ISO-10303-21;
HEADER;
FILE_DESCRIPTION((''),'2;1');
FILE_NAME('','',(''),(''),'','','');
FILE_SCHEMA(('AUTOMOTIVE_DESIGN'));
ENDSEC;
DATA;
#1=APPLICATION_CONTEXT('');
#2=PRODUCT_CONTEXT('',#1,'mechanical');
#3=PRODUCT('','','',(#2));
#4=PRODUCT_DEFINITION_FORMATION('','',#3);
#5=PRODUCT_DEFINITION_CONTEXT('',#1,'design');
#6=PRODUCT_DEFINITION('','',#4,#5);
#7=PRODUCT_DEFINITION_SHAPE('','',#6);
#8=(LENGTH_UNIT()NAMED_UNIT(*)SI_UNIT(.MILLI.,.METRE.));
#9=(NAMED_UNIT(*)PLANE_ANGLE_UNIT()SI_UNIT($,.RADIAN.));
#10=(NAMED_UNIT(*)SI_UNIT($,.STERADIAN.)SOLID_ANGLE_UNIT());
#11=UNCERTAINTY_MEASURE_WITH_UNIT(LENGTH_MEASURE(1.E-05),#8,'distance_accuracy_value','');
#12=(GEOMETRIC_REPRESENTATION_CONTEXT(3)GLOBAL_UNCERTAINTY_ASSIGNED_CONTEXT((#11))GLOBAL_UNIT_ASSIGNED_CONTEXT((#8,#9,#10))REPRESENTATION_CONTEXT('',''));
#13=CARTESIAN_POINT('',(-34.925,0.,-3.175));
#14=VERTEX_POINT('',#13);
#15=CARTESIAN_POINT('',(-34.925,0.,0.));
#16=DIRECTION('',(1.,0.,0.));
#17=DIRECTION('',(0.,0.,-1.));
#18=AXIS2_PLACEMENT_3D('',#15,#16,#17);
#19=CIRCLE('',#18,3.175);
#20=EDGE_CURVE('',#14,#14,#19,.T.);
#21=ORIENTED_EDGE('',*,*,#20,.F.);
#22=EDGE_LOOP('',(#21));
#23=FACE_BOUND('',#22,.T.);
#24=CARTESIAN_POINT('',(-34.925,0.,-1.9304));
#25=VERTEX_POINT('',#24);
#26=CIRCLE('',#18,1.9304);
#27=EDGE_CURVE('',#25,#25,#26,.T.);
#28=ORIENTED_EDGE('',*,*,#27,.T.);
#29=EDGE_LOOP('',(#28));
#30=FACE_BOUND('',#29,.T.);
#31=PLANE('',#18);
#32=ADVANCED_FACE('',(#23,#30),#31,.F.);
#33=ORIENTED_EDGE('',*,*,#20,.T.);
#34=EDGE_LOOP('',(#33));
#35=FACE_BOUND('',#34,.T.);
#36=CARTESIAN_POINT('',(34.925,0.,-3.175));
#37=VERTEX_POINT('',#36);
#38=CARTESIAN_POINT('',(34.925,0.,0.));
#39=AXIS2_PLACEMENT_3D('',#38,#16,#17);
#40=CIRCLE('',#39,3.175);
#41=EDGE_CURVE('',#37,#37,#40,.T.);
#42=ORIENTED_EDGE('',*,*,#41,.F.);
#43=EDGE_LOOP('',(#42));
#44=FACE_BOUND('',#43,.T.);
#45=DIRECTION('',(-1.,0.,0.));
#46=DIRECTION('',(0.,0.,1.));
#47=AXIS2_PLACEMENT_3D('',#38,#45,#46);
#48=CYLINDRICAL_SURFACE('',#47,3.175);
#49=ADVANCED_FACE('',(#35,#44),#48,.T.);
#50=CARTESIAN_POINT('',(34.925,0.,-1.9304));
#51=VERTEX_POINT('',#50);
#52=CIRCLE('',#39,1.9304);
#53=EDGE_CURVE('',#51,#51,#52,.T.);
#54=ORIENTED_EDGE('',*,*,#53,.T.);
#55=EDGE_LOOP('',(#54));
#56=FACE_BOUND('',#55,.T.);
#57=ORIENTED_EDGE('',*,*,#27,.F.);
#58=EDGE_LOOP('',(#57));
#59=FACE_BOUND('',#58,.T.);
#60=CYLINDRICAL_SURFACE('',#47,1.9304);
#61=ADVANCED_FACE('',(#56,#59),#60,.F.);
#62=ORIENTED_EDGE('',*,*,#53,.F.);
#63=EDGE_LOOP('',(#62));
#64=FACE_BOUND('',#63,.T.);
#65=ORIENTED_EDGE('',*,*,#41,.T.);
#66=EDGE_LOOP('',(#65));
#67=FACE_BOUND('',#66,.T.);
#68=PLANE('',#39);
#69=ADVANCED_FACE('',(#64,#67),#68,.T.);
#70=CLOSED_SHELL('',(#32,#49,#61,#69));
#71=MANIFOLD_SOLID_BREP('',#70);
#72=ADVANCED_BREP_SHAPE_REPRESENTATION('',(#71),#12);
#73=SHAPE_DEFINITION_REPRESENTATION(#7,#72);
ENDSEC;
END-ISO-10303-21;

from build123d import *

# Parameters (mm, degrees)
SKETCH1_R           = 3.175
SKETCH1_R_2         = 1.9304
BOSS_EXTRUDE1_DEPTH = 34.925


with BuildPart() as part:
    # Sketch1 → Boss-Extrude1 (new body, symmetric)
    with BuildSketch(Plane(origin=(0, 0, 0), x_dir=(0, 0, -1), z_dir=(1, 0, 0))):
        Circle(SKETCH1_R)
        Circle(SKETCH1_R_2, mode=Mode.SUBTRACT)
    extrude(amount=BOSS_EXTRUDE1_DEPTH, both=True)


solid = part.part
